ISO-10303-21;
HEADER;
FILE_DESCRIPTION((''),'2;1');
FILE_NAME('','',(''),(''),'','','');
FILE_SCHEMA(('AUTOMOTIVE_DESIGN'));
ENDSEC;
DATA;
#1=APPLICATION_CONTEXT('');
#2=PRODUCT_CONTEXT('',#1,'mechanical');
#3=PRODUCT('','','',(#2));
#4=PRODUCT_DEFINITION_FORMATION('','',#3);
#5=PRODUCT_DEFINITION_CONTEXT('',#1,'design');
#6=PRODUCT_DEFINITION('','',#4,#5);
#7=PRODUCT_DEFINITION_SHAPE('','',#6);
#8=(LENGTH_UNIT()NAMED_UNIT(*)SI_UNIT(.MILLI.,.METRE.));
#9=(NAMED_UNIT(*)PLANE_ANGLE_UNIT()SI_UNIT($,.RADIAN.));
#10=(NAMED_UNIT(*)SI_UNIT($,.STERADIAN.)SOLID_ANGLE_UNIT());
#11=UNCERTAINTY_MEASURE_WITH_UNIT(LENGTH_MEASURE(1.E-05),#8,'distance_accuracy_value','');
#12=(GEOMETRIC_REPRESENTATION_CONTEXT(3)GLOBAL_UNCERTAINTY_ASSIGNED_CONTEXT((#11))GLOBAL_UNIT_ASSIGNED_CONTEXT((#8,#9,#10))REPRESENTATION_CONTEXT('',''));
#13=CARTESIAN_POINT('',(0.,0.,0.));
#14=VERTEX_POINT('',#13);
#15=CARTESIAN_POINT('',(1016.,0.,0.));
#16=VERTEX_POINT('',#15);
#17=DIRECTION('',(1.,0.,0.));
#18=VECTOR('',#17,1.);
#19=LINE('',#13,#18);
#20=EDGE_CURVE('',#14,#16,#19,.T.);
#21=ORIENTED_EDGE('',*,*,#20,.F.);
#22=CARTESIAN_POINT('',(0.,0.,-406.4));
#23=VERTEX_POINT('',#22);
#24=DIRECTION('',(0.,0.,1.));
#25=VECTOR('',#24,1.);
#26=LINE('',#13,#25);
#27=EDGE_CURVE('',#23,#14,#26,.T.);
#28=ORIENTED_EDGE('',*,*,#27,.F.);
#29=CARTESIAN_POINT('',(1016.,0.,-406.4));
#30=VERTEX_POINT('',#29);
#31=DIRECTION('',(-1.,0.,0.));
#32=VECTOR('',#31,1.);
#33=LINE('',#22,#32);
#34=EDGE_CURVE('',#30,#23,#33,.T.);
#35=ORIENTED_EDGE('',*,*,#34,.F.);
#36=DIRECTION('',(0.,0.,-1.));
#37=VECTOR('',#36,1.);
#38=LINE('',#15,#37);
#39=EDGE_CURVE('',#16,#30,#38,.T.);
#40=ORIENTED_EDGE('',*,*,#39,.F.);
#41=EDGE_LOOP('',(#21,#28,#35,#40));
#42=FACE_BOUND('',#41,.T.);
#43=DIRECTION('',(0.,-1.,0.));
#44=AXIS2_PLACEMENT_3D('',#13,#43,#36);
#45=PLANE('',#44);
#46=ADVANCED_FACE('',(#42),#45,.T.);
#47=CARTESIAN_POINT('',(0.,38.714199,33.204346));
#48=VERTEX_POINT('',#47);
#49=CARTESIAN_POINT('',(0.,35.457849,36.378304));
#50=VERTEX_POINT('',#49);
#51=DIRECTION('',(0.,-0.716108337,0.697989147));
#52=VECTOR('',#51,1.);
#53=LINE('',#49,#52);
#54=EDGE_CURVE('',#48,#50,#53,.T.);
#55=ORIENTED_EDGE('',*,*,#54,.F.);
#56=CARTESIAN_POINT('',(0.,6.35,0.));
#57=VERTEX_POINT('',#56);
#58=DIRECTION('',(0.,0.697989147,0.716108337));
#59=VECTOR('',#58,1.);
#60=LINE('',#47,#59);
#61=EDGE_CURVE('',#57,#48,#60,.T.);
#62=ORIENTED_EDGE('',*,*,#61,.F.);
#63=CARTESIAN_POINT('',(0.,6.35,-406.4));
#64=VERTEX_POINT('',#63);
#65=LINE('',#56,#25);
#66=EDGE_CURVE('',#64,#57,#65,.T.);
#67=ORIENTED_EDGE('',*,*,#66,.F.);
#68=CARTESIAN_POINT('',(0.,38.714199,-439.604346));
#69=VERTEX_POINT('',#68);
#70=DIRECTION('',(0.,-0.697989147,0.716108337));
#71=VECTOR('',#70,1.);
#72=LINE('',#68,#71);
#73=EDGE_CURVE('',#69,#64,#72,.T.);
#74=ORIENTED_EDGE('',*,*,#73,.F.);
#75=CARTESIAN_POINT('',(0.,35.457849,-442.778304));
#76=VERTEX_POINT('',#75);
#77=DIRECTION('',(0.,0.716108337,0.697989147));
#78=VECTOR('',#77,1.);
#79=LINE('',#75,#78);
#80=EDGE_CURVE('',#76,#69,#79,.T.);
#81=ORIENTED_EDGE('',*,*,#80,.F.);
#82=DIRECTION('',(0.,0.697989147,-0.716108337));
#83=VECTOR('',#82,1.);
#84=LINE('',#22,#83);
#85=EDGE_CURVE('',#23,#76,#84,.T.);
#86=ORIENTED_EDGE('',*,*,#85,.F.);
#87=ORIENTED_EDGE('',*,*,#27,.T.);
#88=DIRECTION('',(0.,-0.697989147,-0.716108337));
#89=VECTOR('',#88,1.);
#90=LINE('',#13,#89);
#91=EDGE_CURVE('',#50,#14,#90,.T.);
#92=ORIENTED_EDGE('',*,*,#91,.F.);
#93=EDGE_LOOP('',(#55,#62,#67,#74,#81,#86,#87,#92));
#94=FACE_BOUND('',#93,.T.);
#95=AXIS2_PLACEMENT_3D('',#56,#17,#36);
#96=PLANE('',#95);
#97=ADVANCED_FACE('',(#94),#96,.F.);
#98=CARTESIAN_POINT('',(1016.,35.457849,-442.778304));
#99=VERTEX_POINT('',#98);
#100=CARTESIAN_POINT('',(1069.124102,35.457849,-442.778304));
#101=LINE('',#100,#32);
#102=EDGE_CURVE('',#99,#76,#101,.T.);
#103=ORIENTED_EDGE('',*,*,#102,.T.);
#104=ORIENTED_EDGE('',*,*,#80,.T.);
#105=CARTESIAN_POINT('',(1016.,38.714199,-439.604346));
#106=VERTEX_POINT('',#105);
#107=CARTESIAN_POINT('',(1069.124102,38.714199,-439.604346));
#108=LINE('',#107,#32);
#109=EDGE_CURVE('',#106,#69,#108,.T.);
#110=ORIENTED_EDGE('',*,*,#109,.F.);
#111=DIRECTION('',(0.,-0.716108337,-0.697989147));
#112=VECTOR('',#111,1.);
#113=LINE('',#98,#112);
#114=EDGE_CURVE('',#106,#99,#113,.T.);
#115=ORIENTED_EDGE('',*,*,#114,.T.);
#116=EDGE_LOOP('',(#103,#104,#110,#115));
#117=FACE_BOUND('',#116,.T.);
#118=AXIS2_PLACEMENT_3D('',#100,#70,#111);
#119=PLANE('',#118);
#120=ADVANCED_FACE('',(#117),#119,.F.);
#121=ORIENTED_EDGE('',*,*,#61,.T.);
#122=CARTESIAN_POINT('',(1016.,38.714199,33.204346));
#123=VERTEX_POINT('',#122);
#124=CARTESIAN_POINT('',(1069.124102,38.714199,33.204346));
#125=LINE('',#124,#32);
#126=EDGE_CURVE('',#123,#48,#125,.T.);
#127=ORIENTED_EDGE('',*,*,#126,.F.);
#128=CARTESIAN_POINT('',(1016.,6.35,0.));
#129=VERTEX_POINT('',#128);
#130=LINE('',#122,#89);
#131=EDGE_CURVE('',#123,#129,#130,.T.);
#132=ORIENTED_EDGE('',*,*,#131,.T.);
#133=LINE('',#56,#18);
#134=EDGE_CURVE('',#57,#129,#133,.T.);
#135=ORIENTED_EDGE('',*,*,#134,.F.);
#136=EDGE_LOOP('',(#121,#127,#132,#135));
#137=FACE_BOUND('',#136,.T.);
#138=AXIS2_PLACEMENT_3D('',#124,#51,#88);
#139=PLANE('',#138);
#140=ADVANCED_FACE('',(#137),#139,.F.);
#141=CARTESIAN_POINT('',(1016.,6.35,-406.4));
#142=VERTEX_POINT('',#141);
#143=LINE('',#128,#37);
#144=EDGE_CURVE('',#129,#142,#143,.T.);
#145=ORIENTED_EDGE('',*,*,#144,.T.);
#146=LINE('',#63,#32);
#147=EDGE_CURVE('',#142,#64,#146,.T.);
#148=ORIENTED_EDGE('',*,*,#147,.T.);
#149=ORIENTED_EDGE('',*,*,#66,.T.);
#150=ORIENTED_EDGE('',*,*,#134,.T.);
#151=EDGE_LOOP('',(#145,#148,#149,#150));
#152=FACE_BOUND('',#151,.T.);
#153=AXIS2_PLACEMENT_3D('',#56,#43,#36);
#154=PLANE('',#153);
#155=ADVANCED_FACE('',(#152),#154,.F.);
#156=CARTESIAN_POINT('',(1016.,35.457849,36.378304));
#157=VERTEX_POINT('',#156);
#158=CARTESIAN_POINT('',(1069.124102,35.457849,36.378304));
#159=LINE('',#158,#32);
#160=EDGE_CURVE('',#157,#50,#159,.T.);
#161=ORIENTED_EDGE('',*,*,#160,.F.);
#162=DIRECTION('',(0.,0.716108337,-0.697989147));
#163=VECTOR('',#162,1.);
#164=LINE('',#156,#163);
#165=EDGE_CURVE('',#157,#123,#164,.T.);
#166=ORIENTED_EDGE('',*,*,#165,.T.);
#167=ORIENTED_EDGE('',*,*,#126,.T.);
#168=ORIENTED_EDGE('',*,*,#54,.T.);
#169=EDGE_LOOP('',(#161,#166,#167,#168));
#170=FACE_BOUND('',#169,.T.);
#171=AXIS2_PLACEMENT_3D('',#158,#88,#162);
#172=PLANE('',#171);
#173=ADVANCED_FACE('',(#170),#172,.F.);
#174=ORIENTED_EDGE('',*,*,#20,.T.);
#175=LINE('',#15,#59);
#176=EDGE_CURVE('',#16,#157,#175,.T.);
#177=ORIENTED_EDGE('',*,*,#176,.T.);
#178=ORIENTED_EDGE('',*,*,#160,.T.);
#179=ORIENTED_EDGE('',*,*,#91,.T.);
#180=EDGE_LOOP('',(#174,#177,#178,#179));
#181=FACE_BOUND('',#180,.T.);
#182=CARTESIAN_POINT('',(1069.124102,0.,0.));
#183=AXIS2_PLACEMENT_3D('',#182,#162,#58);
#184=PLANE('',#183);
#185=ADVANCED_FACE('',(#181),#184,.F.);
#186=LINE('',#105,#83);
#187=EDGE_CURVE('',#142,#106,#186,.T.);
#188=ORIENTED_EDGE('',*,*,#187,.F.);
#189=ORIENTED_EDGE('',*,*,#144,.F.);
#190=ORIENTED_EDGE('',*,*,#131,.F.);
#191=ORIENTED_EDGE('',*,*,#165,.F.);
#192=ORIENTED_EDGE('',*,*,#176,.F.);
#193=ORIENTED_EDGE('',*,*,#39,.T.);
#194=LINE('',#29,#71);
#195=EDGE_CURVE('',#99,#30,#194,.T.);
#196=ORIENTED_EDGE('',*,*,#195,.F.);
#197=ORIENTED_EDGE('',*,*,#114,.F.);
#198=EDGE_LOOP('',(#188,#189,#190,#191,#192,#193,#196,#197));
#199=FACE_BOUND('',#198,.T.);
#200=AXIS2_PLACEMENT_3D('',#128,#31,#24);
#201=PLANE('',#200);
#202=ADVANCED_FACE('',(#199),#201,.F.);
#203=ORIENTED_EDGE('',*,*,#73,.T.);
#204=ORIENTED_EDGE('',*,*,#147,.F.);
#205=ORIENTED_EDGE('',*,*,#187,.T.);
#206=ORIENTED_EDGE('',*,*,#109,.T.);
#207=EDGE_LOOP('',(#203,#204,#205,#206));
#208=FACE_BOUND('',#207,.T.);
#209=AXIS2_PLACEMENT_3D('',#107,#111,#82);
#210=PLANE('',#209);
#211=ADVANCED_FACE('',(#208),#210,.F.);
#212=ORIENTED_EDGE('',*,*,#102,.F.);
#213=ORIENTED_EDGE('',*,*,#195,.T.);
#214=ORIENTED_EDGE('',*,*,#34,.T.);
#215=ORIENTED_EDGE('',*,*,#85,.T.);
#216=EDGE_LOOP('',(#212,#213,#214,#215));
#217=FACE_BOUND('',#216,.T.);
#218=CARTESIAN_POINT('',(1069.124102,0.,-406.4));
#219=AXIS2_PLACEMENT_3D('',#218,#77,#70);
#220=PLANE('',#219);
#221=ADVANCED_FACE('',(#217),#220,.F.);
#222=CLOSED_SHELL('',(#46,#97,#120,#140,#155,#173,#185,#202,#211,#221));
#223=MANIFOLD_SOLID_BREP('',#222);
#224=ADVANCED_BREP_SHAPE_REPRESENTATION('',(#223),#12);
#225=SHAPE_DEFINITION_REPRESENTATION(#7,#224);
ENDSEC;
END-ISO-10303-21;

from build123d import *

# Parameters (mm, degrees)
SKETCH1_W           = 1016
SKETCH1_H           = 406.4
BOSS_EXTRUDE1_DEPTH = 6.35
BOSS_EXTRUDE2_DEPTH = 1016


with BuildPart() as part:
    # Sketch1 → Boss-Extrude1 (new body)
    with BuildSketch(Plane(origin=(0, 0, 0), x_dir=(1, 0, 0), z_dir=(0, 1, 0))):
        with Locations((508, 203.2)):
            Rectangle(SKETCH1_W, SKETCH1_H)
    extrude(amount=BOSS_EXTRUDE1_DEPTH)

    # Sketch2 → Boss-Extrude2 (add)
    with BuildSketch(Plane(origin=(0, 0, 0), x_dir=(0, 0, -1), z_dir=(1, 0, 0))):
        Polygon((0, 0), (-36.378303543, 35.457848656), (-33.204345912, 38.714199465), (0, 6.35), align=None)
        Polygon((406.4, 6.35), (406.4, 0), (442.778303543, 35.457848656), (439.604345912, 38.714199465), align=None)
    extrude(amount=BOSS_EXTRUDE2_DEPTH)


solid = part.part
